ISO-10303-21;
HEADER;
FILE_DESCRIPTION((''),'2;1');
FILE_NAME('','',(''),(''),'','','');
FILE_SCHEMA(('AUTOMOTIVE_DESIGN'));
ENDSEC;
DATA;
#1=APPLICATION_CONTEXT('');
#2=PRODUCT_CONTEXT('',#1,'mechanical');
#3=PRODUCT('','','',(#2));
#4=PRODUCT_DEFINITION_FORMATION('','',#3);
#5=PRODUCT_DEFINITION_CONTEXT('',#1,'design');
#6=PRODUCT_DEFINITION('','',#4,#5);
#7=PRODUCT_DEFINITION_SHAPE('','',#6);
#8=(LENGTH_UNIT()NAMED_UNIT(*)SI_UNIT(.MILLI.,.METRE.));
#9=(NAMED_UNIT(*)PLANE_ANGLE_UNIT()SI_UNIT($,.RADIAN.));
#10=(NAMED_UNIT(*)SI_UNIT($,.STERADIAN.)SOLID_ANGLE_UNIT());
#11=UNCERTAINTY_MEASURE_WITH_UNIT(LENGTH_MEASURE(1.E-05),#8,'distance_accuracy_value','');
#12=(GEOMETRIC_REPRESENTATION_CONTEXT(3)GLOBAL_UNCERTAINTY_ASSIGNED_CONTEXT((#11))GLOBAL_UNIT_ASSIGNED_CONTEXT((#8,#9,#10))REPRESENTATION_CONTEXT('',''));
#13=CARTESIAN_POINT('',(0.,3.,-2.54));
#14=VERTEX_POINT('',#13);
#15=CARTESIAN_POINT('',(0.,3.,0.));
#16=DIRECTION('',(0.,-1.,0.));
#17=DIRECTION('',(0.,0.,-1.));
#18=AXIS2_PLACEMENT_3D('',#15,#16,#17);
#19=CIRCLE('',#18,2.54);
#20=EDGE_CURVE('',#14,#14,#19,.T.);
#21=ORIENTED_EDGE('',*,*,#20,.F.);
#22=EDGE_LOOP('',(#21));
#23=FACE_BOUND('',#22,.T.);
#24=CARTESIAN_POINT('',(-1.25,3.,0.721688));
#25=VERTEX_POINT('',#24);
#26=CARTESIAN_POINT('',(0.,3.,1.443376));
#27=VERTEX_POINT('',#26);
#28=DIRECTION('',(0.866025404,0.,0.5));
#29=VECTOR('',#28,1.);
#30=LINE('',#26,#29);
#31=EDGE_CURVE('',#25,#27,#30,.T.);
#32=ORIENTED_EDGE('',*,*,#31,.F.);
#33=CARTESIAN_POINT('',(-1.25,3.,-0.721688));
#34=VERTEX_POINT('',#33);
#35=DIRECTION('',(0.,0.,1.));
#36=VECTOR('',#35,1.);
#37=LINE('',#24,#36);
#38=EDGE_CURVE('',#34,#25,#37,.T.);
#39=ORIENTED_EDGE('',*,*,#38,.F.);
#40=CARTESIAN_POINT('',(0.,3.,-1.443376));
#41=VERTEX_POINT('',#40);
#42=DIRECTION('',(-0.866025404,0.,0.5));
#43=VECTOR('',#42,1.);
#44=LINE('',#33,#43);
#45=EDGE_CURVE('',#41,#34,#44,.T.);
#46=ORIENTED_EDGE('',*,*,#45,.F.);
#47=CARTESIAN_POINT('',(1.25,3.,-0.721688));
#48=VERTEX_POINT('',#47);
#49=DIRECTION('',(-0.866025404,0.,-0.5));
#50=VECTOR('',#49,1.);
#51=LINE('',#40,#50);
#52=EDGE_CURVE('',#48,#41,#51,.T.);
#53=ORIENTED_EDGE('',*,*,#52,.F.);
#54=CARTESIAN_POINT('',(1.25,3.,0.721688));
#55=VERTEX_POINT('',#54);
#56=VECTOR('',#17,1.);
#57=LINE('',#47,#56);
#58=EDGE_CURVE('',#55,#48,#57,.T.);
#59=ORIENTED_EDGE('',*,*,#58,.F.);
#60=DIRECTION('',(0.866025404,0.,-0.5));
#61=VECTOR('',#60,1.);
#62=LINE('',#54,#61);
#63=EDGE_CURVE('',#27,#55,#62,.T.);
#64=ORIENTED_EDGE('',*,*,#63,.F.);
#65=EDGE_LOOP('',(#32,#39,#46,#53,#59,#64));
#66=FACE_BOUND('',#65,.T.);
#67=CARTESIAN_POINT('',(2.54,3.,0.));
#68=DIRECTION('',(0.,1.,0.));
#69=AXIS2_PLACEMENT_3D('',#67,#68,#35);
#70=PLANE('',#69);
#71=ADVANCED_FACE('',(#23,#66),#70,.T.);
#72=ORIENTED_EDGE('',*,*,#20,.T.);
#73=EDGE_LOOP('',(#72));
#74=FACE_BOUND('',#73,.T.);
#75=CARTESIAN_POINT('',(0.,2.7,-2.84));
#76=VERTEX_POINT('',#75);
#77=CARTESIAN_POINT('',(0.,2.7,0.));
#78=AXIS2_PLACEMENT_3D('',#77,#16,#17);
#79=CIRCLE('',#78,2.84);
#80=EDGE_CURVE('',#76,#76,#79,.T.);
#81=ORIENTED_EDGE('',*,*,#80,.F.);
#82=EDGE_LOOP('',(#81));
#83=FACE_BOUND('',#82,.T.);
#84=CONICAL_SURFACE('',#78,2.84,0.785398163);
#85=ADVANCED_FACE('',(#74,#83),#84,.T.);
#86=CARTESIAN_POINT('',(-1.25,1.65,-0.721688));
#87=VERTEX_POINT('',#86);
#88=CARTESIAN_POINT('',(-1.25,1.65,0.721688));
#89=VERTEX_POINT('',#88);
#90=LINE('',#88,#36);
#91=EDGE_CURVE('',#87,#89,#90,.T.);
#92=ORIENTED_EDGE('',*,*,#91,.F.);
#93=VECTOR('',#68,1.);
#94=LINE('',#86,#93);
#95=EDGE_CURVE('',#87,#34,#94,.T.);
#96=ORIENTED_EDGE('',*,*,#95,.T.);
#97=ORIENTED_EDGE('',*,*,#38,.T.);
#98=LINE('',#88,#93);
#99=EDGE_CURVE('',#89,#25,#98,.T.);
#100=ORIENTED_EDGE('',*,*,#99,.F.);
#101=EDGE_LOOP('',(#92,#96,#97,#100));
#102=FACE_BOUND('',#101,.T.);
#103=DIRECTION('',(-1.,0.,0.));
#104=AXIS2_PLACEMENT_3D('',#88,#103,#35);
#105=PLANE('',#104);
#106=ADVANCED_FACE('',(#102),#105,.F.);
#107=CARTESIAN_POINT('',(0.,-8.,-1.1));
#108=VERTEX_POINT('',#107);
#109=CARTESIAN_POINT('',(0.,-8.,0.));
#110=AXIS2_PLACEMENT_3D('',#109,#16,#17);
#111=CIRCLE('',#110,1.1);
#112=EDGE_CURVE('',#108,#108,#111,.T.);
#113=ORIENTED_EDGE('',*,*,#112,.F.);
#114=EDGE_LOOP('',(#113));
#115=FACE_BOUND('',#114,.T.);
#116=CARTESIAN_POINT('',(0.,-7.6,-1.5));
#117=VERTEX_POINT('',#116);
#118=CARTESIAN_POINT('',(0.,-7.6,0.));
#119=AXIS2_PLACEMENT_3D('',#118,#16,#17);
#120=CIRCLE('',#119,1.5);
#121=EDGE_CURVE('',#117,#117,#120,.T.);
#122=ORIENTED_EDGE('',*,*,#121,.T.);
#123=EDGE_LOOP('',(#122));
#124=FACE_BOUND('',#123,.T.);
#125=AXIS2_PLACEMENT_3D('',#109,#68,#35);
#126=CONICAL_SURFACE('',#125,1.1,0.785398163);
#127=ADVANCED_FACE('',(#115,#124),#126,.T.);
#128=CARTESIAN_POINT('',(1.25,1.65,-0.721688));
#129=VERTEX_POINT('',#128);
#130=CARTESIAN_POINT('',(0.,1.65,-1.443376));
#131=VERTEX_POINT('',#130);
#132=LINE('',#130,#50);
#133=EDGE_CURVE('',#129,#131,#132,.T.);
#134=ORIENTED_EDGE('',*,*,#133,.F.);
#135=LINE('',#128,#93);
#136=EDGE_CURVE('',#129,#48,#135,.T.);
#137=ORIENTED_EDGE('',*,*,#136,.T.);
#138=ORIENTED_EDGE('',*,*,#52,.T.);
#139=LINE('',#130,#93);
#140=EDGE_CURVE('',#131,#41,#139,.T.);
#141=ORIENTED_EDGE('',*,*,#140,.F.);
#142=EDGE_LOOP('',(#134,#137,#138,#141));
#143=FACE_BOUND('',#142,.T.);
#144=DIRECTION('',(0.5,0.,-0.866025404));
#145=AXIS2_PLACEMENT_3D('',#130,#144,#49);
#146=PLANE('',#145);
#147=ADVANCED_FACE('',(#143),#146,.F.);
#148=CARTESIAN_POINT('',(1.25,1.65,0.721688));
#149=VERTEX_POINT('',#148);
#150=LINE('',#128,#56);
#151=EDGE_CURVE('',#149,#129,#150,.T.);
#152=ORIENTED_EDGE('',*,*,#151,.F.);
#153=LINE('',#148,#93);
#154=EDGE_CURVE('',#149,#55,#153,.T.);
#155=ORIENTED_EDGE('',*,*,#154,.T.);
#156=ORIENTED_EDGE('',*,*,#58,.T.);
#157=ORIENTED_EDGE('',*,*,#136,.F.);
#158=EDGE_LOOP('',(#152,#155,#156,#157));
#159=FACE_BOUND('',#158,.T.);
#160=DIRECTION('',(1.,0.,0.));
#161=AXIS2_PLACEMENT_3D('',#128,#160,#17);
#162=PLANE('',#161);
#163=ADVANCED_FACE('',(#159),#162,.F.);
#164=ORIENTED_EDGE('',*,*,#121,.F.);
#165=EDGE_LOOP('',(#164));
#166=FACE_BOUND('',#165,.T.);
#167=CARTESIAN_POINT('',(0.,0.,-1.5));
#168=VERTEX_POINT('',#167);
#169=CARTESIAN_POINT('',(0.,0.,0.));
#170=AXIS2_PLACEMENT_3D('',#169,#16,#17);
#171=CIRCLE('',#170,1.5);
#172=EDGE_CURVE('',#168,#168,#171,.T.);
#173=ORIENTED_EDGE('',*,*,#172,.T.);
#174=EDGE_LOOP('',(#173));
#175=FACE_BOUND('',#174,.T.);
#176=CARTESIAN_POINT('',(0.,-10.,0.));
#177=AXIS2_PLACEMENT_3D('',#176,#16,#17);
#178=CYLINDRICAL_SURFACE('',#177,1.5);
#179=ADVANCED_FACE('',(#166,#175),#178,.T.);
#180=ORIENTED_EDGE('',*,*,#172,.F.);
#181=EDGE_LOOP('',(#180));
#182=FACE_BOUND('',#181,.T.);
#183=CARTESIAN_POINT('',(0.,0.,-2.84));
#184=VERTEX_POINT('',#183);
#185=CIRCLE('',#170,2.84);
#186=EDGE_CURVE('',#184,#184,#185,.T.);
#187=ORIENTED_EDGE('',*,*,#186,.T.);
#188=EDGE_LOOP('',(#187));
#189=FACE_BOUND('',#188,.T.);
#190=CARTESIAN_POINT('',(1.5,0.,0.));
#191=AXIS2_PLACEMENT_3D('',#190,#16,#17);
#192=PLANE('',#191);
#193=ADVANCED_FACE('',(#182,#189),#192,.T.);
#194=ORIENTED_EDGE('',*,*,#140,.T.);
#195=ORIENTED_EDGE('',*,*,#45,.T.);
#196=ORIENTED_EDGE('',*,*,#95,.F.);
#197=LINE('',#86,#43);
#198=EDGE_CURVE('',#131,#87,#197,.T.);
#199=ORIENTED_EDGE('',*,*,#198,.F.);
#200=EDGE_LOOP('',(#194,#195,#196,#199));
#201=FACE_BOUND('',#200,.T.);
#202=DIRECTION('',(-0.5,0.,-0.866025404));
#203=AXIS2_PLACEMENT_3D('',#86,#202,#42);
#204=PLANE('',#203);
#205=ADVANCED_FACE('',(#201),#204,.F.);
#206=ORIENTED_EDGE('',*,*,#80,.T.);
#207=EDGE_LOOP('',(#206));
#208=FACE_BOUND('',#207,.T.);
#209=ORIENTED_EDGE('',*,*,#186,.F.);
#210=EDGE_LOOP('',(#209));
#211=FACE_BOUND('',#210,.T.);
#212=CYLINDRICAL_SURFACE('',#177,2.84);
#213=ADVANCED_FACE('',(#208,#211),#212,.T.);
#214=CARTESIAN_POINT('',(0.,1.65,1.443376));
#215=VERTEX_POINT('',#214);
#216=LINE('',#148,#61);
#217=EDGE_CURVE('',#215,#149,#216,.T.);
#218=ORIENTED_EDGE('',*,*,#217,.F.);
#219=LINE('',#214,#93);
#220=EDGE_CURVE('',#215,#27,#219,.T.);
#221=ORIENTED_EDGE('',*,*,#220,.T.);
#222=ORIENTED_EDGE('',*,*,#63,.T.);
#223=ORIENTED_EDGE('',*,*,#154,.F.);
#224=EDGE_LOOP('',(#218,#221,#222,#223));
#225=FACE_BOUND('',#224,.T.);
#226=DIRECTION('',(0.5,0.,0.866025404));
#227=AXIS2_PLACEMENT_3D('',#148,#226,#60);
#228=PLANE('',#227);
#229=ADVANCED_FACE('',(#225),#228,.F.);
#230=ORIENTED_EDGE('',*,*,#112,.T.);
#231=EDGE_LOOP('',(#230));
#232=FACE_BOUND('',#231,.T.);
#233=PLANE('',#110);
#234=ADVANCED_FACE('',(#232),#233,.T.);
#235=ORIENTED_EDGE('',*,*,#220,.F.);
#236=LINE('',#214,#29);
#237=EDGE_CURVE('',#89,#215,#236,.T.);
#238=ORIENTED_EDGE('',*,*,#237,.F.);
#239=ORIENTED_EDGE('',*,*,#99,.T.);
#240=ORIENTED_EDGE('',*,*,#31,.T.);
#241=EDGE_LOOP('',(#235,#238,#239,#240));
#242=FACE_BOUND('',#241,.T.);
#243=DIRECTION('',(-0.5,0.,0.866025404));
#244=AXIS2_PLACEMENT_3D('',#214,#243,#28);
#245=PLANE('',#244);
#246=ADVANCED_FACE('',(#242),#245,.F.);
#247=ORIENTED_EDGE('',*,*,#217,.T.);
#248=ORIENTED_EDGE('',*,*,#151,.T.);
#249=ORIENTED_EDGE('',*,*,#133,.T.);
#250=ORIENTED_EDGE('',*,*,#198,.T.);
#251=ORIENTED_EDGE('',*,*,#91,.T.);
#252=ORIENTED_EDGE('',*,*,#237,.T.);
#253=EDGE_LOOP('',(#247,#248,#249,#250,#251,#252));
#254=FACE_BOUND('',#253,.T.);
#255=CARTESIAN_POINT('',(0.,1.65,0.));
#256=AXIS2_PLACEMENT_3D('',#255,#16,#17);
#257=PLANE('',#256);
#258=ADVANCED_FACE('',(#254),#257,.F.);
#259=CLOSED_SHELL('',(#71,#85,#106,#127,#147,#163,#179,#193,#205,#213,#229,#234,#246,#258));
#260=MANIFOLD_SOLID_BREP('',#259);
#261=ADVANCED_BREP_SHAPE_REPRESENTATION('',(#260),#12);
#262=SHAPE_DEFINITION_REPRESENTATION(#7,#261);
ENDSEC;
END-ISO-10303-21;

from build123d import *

# Parameters (mm, degrees)
CUT_EXTRUDE1_DEPTH = 1.35


with BuildPart() as part:
    # Sketch1 → Revolve1 (revolve)
    with BuildSketch(Plane.XY, mode=Mode.PRIVATE) as revolve1_sk:
        Polygon((0, -8), (1.1, -8), (1.5, -7.6), (1.5, 0), (2.84, 0), (2.84, 2.7), (2.54, 3), (0, 3), align=None)
    revolve(revolve1_sk.sketch.rotate(Axis((0, -10, 0), (0, 1, 0)), 90), axis=Axis((0, -10, 0), (0, 1, 0)))

    # Sketch2 → Cut-Extrude1 (cut)
    with BuildSketch(Plane(origin=(0, 3, 0), x_dir=(1, 0, 0), z_dir=(0, 1, 0))):
        Polygon((1.25, -0.721687836), (0, -1.443375673), (-1.25, -0.721687836), (-1.25, 0.721687836), (0, 1.443375673), (1.25, 0.721687836), align=None)
    extrude(amount=-CUT_EXTRUDE1_DEPTH, mode=Mode.SUBTRACT)


solid = part.part
